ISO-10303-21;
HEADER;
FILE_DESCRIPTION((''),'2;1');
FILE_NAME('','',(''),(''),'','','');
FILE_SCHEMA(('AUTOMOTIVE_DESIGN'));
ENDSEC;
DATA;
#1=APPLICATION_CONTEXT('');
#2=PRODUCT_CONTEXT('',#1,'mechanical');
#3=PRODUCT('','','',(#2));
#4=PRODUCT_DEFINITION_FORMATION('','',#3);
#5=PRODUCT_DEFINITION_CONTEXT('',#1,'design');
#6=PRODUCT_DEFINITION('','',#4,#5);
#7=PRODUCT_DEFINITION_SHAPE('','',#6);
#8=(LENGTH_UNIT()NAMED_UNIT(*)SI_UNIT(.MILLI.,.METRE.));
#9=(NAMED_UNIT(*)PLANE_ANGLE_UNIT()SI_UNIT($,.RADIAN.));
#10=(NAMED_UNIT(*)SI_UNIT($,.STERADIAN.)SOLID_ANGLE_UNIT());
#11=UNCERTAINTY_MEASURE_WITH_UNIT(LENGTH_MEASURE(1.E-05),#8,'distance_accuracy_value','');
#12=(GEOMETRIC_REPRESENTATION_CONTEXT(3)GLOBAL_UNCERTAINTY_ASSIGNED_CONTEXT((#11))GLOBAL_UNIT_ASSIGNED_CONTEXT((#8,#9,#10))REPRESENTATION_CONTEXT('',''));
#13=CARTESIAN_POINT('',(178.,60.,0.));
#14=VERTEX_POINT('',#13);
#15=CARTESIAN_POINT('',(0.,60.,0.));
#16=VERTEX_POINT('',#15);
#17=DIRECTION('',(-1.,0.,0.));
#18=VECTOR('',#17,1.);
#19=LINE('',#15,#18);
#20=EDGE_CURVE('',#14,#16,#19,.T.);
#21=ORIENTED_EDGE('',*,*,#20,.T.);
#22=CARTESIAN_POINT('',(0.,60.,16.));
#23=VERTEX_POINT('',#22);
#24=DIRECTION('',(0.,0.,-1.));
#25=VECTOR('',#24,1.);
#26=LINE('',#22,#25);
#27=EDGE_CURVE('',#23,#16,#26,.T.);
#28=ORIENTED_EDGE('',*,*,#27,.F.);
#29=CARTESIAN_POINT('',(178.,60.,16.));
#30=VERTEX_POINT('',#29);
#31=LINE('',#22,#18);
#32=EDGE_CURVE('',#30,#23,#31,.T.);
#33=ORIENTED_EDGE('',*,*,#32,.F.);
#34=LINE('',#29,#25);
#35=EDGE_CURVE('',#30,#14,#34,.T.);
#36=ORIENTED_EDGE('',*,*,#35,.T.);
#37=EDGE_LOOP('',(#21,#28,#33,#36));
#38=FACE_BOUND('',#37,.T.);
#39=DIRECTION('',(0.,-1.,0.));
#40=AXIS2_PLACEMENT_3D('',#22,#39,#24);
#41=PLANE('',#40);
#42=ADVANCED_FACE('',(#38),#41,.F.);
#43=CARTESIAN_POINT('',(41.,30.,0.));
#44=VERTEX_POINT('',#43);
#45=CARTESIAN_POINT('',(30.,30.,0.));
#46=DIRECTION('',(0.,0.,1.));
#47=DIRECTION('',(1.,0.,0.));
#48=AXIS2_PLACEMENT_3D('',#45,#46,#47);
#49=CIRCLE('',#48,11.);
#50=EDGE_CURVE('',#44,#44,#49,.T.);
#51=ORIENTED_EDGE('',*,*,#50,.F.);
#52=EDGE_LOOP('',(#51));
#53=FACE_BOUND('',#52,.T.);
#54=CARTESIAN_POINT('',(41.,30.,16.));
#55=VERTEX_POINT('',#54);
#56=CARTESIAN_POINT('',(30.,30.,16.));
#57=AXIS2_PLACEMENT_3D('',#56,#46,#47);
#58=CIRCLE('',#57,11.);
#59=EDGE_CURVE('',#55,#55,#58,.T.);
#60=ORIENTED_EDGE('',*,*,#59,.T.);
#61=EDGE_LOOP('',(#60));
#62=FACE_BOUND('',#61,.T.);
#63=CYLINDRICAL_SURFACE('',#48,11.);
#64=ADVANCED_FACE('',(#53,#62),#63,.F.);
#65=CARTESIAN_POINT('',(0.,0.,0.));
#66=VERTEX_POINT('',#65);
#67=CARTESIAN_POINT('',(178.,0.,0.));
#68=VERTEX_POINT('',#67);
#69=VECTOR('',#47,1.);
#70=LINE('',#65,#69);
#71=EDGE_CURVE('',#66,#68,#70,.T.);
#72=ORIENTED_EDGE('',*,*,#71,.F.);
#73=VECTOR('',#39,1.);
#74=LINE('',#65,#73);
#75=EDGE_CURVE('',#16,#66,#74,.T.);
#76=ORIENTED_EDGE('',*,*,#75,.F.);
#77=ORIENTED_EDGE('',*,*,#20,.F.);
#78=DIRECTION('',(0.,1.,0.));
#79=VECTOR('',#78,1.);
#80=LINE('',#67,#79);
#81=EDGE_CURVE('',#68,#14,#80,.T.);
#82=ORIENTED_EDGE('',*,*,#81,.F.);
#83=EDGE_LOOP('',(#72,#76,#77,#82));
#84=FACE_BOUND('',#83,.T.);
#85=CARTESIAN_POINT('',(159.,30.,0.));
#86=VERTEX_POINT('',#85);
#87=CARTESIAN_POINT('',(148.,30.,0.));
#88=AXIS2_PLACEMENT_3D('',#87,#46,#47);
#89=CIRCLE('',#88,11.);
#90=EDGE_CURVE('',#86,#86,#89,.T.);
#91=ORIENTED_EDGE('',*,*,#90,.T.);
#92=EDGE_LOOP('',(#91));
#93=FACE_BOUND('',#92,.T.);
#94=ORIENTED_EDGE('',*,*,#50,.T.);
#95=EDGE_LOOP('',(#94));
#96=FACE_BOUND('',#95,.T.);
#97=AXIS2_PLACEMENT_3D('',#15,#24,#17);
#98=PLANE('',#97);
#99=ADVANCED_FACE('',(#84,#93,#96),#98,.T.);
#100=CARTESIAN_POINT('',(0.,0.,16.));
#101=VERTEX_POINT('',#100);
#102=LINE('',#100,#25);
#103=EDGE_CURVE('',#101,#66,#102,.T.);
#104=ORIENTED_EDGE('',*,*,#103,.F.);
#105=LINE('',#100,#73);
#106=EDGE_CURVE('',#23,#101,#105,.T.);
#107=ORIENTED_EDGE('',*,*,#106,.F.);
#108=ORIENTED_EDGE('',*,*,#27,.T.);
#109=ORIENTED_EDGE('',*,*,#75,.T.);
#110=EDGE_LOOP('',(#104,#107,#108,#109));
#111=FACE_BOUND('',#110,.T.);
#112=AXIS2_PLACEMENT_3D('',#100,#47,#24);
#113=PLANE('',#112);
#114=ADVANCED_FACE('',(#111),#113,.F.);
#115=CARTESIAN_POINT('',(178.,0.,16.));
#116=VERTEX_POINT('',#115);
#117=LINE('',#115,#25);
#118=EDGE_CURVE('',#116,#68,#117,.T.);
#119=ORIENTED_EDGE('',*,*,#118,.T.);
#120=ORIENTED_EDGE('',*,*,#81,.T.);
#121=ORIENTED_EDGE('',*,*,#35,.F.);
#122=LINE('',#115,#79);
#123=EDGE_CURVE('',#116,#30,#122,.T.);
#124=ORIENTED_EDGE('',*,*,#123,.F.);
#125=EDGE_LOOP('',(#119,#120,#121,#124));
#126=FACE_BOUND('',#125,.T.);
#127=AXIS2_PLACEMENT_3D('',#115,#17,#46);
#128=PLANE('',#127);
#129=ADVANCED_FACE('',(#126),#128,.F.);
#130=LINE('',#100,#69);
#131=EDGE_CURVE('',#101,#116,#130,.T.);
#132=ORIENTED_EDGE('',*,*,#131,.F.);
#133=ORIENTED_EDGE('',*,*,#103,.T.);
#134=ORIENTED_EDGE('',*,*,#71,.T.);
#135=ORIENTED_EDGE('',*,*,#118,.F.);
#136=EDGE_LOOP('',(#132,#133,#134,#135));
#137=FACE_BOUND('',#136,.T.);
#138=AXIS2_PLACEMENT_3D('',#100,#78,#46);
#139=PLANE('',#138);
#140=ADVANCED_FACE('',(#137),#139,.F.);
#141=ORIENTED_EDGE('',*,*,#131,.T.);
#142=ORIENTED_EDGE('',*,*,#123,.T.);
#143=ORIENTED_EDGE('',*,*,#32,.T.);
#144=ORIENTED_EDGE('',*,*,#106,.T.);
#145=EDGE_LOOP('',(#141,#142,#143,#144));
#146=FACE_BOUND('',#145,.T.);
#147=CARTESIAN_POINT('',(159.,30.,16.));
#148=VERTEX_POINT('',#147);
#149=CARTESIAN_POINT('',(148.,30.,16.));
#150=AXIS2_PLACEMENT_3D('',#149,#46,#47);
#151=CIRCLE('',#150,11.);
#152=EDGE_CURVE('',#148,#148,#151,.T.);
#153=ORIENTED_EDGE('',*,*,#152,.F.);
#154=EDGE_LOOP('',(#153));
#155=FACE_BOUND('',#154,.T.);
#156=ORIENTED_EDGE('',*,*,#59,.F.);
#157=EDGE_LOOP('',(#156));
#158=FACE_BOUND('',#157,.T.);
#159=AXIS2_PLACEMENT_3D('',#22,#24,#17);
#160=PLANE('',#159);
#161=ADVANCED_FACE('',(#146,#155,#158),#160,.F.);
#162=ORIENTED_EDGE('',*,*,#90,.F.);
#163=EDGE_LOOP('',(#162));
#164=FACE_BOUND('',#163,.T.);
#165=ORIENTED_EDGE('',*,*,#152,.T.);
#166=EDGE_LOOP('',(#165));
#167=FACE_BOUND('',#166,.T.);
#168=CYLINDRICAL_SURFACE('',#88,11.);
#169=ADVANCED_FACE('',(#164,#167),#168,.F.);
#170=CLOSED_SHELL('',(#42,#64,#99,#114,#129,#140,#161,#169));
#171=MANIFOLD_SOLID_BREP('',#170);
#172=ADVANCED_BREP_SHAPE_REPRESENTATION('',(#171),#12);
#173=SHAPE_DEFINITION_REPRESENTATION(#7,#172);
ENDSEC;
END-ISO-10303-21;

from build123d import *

# Parameters (mm, degrees)
SKETCH_1_W          = 178
SKETCH_1_H          = 60
EXTRUDE_1_DEPTH     = 16
SKETCH_2_R          = 11
CUT_EXTRUDE_2_DEPTH = 189.520555908


with BuildPart() as part:
    # 草图1 → 拉伸1 (new body)
    with BuildSketch(Plane.XY):
        with Locations((89, 30)):
            Rectangle(SKETCH_1_W, SKETCH_1_H)
    extrude(amount=EXTRUDE_1_DEPTH)

    # 草图2 → 拉伸2 (cut, through all)
    with BuildSketch(Plane.XY.offset(16)):
        with Locations((30, 30)):
            Circle(SKETCH_2_R)
        with Locations((148, 30)):
            Circle(SKETCH_2_R)
    extrude(amount=-CUT_EXTRUDE_2_DEPTH, mode=Mode.SUBTRACT)


solid = part.part
